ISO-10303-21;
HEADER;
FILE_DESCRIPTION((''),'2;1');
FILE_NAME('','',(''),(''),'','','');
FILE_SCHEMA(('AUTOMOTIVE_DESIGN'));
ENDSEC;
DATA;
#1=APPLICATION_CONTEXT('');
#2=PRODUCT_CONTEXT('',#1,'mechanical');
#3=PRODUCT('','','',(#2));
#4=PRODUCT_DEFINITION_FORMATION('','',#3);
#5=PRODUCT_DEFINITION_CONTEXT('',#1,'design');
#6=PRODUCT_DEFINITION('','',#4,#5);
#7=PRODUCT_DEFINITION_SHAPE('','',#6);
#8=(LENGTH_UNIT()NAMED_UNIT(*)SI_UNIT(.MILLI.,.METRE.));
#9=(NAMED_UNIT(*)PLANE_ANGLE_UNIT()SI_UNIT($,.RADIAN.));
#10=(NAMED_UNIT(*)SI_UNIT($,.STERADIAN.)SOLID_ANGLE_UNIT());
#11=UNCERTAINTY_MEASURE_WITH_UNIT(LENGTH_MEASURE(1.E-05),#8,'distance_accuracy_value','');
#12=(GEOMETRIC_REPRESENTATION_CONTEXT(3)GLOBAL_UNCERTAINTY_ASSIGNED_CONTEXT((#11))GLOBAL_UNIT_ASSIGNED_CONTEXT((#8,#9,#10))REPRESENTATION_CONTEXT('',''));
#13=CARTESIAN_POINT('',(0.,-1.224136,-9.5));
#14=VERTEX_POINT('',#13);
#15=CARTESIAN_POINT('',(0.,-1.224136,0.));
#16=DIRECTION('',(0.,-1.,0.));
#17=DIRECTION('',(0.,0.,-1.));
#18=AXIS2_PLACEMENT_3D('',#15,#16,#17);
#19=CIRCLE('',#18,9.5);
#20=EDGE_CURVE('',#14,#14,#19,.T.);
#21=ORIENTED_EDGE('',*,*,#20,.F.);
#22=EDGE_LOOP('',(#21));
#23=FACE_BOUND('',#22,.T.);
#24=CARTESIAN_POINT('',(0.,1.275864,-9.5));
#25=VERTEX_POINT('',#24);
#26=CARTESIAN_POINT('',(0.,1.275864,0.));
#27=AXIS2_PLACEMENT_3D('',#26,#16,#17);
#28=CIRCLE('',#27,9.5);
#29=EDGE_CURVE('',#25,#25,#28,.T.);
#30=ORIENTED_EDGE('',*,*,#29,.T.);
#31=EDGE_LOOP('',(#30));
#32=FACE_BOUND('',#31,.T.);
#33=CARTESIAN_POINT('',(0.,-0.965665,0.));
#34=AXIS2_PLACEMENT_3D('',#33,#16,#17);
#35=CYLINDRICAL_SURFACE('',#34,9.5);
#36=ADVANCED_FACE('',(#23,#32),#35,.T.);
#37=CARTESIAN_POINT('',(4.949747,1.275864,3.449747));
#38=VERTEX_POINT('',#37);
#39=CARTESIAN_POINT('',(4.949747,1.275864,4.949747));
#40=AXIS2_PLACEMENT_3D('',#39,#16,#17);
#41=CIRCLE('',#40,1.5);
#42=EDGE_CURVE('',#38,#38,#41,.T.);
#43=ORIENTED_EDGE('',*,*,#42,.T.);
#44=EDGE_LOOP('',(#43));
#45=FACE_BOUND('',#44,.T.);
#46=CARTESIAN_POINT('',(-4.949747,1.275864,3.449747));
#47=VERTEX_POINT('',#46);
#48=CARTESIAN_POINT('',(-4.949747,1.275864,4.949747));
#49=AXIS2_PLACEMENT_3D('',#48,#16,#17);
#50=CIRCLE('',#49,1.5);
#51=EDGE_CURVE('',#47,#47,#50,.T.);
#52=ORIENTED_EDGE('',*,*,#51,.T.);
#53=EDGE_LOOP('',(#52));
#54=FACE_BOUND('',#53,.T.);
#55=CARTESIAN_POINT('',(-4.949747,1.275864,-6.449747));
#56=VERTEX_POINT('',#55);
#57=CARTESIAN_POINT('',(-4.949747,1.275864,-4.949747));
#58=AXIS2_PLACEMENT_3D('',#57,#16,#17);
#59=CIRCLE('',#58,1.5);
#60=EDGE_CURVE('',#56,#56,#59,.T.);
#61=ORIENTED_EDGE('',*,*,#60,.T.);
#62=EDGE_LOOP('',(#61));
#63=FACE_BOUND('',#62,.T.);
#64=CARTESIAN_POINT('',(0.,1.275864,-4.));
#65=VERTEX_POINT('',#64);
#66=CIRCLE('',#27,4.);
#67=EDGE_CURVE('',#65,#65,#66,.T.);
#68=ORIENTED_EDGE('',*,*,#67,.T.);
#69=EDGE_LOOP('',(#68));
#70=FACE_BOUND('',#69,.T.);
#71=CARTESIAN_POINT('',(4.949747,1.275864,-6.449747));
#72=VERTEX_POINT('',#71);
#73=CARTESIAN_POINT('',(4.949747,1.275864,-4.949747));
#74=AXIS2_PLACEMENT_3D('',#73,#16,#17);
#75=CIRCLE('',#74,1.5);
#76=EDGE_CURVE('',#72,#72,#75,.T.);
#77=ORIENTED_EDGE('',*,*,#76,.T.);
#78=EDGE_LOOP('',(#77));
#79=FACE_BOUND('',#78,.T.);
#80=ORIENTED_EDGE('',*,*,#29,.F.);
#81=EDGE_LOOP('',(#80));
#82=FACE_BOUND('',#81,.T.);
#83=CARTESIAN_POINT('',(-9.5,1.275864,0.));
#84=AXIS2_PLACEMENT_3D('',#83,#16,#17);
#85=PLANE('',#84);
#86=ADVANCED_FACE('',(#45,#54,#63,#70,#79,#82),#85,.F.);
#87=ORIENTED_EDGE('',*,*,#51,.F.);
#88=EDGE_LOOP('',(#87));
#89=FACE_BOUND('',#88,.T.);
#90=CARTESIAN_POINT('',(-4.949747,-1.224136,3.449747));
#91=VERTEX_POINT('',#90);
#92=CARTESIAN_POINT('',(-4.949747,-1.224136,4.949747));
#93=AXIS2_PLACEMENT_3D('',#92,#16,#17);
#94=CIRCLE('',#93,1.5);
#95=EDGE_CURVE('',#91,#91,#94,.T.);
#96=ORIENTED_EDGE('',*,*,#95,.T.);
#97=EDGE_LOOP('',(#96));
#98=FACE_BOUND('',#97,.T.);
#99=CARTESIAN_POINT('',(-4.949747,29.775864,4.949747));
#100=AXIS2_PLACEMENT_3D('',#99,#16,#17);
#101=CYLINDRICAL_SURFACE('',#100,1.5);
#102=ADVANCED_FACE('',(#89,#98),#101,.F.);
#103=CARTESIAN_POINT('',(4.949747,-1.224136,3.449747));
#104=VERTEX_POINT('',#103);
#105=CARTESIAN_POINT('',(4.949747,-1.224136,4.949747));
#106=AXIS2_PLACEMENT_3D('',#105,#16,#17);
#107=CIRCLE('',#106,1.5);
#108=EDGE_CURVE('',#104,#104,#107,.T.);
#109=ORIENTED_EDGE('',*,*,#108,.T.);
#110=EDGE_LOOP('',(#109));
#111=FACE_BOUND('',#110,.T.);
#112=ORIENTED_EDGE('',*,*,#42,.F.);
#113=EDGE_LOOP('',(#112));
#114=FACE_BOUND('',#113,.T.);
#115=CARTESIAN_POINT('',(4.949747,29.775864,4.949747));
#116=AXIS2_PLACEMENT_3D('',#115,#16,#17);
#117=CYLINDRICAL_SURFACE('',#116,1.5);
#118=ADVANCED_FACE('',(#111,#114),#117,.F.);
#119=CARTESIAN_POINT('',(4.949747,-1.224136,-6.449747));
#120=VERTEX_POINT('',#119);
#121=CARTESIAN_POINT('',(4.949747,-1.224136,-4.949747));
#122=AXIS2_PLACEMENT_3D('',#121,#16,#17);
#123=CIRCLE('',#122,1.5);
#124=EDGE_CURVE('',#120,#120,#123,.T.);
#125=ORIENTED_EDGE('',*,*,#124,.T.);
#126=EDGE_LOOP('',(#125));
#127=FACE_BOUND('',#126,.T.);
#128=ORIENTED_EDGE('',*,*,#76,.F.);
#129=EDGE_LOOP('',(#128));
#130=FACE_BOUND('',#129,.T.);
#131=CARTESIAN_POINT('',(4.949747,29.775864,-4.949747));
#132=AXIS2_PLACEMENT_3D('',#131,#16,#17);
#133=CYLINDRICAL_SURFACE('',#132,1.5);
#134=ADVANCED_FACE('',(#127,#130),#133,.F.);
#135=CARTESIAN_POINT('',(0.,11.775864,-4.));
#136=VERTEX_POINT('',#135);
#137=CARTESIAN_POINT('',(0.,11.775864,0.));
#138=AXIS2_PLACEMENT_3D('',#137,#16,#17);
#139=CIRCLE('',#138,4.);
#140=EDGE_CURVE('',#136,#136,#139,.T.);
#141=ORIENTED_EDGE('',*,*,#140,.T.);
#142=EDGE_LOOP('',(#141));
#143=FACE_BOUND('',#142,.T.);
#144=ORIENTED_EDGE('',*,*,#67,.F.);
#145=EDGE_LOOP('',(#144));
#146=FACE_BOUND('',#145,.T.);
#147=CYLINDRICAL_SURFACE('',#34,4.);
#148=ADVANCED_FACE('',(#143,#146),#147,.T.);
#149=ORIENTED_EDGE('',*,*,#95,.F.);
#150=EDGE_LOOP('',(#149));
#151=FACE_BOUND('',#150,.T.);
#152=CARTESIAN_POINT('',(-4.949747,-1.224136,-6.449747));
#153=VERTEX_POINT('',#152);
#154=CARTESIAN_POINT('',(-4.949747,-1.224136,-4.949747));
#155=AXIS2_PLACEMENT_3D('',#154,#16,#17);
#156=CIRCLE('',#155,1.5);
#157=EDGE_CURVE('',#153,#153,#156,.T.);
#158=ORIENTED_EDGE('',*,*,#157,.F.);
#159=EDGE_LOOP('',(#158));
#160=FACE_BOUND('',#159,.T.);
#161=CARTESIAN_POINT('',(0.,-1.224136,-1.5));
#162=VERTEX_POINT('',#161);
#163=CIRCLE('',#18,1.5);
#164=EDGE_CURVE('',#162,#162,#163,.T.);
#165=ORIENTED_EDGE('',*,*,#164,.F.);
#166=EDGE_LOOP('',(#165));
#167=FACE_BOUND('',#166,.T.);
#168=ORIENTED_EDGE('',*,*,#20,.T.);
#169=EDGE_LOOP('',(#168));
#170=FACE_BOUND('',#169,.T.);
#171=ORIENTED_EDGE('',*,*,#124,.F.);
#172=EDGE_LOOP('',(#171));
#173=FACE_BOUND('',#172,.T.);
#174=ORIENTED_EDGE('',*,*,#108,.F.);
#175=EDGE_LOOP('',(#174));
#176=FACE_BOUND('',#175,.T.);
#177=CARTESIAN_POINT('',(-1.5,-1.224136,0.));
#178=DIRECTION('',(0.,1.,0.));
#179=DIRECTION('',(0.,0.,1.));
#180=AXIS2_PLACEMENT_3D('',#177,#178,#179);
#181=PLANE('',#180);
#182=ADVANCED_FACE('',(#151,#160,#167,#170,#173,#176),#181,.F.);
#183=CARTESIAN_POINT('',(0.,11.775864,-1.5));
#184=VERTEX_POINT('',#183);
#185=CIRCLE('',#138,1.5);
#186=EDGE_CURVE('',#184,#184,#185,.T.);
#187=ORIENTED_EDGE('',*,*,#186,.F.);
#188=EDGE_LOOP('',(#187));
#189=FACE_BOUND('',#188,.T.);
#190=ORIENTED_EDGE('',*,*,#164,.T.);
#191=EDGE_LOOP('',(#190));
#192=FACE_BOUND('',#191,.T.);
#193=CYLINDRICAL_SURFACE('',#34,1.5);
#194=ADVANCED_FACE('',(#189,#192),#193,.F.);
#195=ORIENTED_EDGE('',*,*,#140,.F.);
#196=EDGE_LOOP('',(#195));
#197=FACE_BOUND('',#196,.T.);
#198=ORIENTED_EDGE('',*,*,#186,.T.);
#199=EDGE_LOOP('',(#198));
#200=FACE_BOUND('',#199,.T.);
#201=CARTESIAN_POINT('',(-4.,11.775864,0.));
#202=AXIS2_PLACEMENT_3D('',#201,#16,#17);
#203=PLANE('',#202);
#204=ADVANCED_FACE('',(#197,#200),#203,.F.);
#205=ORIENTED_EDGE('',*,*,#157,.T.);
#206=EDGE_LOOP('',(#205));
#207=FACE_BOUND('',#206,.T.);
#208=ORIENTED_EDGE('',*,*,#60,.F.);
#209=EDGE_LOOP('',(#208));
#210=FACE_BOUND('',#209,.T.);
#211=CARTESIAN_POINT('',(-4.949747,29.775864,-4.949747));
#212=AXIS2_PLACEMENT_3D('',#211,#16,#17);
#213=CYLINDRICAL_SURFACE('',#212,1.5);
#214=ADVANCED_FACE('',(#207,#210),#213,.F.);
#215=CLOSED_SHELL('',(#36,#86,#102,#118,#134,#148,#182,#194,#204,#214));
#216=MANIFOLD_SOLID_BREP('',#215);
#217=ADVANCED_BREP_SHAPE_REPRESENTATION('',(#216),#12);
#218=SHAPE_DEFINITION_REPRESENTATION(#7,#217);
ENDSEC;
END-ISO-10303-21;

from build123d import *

# Parameters (mm, degrees)
SKETCH2_R          = 1.5
CUT_EXTRUDE1_DEPTH = 31


with BuildPart() as part:
    # Sketch1 → Revolve1 (revolve)
    with BuildSketch(Plane.XY, mode=Mode.PRIVATE) as revolve1_sk:
        Polygon((-1.5, -1.224136042), (-9.5, -1.224136042), (-9.5, 1.275863958), (-4, 1.275863958), (-4, 11.775863958), (-1.5, 11.775863958), align=None)
    revolve(revolve1_sk.sketch.rotate(Axis((0, -0.965665236, 0), (0, 1, 0)), 270), axis=Axis((0, -0.965665236, 0), (0, 1, 0)))

    # Sketch2 → Cut-Extrude1 (cut)
    with BuildSketch(Plane.XZ.offset(1.224136042)):
        with Locations(Location((-4.949747468, 4.949747468, 0), (0, 0, 270))):
            Circle(SKETCH2_R)
        with Locations(Location((4.949747468, 4.949747468, 0), (0, 0, 270))):
            Circle(SKETCH2_R)
        with Locations(Location((4.949747468, -4.949747468, 0), (0, 0, 270))):
            Circle(SKETCH2_R)
        with Locations(Location((-4.949747468, -4.949747468, 0), (0, 0, 270))):
            Circle(SKETCH2_R)
    extrude(amount=-CUT_EXTRUDE1_DEPTH, mode=Mode.SUBTRACT)


solid = part.part
